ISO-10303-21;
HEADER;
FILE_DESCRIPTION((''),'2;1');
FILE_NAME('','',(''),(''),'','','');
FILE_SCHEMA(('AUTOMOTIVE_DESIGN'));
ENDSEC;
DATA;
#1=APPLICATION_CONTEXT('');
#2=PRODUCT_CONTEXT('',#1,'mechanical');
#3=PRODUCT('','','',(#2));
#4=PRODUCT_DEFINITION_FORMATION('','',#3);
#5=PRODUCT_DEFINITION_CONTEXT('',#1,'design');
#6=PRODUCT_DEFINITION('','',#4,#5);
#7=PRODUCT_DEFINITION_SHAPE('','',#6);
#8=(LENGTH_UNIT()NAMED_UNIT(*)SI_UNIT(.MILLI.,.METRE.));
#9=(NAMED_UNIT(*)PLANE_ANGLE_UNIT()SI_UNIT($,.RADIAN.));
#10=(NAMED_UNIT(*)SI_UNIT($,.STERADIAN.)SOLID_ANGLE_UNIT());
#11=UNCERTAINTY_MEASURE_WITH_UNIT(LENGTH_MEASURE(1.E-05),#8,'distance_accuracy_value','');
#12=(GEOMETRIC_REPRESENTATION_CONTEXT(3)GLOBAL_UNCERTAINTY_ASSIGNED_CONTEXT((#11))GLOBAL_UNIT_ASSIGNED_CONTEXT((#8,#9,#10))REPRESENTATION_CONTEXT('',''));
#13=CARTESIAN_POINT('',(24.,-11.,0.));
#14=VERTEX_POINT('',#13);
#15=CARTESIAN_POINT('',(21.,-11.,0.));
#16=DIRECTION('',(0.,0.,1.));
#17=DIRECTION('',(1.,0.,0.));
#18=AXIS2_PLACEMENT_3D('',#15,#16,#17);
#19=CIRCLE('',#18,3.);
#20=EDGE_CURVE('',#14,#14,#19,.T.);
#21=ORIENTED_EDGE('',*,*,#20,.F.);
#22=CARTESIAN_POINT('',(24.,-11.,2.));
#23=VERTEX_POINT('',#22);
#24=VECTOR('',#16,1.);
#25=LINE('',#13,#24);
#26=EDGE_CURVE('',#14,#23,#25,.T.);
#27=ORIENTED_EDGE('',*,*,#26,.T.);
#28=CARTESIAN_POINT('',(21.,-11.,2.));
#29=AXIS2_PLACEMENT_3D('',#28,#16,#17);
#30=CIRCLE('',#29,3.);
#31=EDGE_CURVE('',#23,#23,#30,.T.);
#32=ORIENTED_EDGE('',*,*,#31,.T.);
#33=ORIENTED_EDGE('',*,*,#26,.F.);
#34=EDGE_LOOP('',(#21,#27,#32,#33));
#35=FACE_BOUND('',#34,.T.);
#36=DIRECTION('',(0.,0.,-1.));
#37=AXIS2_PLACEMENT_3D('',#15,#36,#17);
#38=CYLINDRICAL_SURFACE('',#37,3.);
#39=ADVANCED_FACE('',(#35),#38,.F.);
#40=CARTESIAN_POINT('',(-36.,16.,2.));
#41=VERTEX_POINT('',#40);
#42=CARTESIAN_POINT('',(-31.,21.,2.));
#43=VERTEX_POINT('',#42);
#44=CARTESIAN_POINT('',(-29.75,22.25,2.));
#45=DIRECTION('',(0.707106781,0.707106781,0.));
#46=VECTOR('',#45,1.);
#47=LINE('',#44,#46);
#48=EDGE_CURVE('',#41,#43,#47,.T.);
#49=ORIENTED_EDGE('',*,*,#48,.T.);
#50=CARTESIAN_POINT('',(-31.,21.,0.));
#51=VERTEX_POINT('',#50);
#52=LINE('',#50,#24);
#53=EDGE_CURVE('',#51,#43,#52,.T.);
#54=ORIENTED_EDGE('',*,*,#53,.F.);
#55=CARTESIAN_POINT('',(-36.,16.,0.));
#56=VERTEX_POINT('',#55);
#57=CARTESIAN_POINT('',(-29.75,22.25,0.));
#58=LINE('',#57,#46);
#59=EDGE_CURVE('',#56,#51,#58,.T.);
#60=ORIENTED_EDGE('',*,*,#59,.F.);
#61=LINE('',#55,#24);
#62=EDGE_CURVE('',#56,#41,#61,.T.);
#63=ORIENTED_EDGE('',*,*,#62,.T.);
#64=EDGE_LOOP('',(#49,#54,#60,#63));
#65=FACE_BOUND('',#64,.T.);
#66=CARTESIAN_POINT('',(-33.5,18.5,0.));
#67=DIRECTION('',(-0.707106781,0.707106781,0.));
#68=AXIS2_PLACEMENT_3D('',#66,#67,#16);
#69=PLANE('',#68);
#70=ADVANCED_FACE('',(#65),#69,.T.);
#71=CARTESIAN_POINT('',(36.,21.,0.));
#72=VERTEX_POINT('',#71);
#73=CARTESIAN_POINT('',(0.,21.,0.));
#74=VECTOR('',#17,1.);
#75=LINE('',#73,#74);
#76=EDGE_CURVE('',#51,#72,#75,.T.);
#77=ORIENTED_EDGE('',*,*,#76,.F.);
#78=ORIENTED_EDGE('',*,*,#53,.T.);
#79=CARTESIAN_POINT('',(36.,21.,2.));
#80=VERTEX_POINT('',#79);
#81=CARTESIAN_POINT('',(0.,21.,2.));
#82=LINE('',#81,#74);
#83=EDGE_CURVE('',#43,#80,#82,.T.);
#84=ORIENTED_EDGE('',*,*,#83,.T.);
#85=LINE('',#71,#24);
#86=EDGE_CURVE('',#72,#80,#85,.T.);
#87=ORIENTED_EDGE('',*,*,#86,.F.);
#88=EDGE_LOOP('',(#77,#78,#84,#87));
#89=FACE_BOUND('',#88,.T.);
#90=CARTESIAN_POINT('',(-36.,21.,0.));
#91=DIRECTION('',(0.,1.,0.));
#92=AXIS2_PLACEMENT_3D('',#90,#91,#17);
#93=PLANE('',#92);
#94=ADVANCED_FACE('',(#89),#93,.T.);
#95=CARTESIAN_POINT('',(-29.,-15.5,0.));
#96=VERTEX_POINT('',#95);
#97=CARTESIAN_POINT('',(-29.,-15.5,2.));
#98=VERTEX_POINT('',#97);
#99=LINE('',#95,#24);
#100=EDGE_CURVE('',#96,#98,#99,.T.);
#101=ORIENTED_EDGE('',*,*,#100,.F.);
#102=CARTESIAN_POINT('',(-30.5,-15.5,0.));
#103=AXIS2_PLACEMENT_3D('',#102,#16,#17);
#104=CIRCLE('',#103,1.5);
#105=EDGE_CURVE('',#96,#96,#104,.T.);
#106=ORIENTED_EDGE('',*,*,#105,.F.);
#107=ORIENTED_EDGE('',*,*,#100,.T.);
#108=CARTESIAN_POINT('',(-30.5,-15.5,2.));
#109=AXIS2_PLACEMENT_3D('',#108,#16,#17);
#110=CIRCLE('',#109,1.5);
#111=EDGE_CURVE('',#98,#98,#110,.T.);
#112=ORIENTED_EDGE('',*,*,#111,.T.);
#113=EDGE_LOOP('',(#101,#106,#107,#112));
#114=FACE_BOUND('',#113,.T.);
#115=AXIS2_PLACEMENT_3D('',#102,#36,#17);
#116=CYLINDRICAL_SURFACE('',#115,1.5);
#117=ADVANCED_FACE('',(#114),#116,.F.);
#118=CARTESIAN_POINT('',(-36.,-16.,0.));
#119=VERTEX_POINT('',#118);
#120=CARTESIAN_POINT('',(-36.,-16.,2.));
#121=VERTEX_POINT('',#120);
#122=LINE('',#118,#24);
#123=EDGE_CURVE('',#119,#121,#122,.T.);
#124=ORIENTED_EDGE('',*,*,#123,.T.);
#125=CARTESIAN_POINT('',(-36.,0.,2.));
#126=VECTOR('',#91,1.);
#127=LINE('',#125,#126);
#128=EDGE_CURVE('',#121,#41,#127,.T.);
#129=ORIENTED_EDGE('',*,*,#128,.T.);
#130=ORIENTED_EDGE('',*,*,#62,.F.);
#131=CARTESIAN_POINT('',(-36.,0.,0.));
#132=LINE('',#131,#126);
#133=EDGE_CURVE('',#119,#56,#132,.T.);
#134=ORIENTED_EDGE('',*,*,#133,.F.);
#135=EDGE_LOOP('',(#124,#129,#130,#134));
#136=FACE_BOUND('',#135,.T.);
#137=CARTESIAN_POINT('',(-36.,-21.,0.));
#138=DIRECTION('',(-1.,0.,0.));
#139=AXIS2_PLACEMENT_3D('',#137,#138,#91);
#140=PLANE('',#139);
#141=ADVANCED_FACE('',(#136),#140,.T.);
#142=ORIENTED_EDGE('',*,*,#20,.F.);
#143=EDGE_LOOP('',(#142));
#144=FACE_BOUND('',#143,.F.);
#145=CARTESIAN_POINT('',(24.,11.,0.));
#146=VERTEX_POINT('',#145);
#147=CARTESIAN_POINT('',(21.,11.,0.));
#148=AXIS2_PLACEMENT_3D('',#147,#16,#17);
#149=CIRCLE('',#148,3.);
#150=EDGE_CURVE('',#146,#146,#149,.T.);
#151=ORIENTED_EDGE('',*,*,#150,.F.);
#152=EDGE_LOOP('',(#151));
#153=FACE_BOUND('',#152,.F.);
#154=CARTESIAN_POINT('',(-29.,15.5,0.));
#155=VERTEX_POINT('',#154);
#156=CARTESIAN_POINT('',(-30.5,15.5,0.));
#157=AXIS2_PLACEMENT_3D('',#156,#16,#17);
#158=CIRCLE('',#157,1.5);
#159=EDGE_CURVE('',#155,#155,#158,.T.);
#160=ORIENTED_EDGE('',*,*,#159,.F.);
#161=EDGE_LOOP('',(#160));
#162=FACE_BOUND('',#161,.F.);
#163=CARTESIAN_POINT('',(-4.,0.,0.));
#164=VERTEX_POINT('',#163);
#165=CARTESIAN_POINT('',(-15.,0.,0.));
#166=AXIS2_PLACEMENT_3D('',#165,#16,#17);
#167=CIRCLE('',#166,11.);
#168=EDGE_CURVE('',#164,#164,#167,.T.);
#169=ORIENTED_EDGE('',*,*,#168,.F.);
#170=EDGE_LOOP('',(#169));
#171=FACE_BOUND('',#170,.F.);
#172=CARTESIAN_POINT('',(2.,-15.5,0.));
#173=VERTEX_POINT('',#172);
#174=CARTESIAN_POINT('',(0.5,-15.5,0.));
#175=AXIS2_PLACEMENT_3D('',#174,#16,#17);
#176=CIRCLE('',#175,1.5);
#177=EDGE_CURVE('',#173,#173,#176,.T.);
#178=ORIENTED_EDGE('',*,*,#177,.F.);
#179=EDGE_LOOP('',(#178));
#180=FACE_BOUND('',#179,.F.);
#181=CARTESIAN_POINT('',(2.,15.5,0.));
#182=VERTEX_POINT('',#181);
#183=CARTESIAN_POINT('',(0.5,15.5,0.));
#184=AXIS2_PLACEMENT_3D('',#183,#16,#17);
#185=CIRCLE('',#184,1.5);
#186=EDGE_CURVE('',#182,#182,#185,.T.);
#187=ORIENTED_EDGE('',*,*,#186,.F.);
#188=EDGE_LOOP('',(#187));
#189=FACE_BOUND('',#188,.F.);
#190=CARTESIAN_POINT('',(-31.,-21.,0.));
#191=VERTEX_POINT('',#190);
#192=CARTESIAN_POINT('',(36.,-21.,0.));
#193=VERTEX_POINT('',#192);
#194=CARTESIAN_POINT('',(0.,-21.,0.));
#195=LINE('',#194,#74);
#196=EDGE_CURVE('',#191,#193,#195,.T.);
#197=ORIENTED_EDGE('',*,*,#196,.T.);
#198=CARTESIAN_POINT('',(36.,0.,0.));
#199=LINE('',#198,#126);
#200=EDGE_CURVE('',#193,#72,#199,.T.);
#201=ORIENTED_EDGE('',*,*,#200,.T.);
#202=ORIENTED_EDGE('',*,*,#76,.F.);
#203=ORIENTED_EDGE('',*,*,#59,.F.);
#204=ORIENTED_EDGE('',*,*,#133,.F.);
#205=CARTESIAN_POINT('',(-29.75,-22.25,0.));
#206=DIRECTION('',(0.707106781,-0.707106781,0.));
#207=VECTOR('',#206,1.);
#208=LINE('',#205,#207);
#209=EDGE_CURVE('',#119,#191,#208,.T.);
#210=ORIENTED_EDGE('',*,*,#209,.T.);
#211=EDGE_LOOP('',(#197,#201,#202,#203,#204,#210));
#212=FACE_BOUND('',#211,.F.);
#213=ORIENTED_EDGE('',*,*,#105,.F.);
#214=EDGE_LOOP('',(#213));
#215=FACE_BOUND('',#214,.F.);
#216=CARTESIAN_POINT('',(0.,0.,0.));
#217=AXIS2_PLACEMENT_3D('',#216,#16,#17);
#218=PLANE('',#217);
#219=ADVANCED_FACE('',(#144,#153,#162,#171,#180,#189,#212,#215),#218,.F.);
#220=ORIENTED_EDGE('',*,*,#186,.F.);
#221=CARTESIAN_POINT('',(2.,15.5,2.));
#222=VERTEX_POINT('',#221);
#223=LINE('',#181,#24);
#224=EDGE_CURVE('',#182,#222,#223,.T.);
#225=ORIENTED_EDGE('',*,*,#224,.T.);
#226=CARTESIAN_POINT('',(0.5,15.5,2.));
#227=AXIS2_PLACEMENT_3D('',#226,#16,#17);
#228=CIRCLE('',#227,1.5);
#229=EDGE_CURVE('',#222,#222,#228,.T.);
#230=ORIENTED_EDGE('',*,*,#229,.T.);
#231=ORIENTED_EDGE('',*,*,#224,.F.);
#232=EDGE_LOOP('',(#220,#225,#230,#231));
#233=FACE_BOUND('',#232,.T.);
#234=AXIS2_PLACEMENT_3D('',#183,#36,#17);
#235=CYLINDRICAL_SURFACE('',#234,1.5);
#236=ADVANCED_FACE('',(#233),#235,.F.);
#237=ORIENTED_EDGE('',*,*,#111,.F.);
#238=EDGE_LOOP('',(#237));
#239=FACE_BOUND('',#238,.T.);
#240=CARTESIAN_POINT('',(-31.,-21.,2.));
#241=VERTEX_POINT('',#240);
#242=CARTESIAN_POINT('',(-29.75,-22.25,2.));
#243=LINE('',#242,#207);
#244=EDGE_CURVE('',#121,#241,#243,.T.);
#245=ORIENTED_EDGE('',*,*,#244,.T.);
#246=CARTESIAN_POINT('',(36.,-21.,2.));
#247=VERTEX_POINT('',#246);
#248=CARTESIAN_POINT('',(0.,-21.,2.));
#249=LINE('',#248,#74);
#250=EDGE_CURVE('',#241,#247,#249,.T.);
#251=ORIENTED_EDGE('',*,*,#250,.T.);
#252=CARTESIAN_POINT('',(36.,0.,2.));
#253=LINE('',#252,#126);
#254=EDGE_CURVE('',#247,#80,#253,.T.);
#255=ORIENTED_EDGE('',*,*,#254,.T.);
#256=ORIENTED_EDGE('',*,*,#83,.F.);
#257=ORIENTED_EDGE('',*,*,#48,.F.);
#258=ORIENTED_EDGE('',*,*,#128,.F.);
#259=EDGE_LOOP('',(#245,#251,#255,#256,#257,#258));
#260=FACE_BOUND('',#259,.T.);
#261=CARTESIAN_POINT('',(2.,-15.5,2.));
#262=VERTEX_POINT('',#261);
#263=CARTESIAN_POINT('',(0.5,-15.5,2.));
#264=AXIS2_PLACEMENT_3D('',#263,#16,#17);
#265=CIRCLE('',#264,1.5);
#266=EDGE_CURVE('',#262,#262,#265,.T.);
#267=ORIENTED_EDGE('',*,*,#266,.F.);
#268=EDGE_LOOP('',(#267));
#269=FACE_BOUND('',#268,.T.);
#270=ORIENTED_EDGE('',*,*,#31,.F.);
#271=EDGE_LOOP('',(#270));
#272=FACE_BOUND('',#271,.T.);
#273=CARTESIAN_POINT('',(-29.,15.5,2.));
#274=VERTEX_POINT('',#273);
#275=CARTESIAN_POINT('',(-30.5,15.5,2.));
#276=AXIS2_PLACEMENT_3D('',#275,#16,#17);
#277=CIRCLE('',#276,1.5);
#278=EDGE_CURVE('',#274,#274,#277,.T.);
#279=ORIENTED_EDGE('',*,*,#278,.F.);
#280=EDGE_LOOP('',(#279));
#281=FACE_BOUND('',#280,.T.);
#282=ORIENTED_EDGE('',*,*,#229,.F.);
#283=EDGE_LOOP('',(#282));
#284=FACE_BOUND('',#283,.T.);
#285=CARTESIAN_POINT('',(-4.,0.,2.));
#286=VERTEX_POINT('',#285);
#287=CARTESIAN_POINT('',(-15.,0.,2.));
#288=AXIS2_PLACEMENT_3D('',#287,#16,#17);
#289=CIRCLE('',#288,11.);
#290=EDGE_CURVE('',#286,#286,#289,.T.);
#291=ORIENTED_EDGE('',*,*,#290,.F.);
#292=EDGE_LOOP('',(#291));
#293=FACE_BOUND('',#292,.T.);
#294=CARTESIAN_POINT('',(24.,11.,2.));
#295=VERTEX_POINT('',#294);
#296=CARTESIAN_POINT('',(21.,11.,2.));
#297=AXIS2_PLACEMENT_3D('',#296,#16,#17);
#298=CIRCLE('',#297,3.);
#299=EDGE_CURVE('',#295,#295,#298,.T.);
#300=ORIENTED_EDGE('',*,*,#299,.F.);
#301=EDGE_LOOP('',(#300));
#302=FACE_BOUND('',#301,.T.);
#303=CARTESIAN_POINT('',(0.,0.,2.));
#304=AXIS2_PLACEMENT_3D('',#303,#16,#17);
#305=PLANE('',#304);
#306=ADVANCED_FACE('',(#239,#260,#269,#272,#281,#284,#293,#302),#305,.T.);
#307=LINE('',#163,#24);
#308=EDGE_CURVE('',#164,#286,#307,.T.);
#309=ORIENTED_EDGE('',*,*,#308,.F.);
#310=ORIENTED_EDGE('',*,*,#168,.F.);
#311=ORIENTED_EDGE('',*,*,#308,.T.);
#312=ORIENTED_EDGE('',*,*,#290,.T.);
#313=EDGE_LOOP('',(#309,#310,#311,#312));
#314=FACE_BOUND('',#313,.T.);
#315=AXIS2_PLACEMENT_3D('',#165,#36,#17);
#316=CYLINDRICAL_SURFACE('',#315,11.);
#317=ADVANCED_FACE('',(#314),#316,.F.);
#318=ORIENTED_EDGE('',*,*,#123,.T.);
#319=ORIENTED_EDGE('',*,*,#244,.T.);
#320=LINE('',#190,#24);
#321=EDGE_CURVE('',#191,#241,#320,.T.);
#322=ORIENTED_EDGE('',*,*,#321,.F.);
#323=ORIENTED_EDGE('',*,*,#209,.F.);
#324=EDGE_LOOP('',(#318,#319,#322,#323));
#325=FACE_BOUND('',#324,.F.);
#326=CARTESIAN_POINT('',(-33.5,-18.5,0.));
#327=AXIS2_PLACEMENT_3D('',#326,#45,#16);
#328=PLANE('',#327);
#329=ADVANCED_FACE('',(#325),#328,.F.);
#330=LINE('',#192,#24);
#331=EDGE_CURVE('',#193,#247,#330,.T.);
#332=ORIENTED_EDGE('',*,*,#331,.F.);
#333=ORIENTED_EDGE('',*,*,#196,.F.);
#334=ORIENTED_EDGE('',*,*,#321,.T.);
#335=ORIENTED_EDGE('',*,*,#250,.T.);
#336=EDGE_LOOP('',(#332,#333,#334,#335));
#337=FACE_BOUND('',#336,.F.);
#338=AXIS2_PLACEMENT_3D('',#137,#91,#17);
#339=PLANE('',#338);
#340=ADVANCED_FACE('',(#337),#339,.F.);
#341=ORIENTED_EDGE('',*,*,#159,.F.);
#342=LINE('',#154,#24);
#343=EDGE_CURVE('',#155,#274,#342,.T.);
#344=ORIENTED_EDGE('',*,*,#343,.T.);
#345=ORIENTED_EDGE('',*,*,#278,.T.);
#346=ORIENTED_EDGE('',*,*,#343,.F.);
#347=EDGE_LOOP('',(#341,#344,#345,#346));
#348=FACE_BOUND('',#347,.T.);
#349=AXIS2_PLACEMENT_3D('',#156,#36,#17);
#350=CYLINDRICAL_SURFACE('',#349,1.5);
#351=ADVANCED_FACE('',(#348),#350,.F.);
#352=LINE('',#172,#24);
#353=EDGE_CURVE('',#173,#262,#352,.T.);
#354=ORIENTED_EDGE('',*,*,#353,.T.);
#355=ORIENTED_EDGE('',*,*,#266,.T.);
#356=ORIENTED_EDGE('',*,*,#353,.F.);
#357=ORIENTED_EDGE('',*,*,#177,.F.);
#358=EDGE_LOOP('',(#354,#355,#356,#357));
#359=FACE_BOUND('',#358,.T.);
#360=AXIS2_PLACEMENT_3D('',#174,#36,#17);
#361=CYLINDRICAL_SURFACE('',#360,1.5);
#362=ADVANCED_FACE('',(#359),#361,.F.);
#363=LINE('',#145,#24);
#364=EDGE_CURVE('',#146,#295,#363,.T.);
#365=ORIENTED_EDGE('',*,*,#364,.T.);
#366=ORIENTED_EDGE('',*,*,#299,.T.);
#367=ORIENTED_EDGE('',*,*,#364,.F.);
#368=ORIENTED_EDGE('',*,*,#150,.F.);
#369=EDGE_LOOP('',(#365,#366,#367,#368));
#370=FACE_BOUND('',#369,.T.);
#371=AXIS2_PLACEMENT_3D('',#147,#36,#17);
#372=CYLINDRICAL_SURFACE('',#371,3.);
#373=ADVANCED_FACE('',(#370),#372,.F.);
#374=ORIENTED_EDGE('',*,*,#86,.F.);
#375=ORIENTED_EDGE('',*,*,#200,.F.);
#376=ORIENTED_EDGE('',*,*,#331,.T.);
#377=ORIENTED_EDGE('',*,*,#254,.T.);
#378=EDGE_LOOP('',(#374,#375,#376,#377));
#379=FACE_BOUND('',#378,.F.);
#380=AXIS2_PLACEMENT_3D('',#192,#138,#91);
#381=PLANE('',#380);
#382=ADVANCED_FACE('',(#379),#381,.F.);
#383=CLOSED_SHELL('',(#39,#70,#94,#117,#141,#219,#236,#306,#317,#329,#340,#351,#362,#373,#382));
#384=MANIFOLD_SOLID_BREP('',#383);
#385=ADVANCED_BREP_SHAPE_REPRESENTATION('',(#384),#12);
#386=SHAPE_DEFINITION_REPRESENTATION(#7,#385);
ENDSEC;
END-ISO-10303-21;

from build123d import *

# Parameters (mm, degrees)
F0_W     = 72
F0_H     = 42
F0_R     = 1.5
F0_R_2   = 3
F0_R_3   = 11
F1_DEPTH = 2
F2_SIZE  = 5


with BuildPart() as f1:
    # F0 (on Top) → F1 (new body)
    with BuildSketch(Plane.XY):
        Rectangle(F0_W, F0_H)
        with Locations((-30.5, -15.5)):
            Circle(F0_R, mode=Mode.SUBTRACT)
        with Locations((0.5, -15.5)):
            Circle(F0_R, mode=Mode.SUBTRACT)
        with Locations((21, -11)):
            Circle(F0_R_2, mode=Mode.SUBTRACT)
        with Locations((-15, 0)):
            Circle(F0_R_3, mode=Mode.SUBTRACT)
        with Locations((-30.5, 15.5)):
            Circle(F0_R, mode=Mode.SUBTRACT)
        with Locations((0.5, 15.5)):
            Circle(F0_R, mode=Mode.SUBTRACT)
        with Locations((21, 11)):
            Circle(F0_R_2, mode=Mode.SUBTRACT)
    extrude(amount=F1_DEPTH)

    # F2
    f2_edges = [f1.edges().sort_by_distance(p)[0] for p in [
        (-36, -21, 1),
        (-36, 21, 1),
    ]]
    chamfer(f2_edges, length=F2_SIZE)


solid = f1.part
